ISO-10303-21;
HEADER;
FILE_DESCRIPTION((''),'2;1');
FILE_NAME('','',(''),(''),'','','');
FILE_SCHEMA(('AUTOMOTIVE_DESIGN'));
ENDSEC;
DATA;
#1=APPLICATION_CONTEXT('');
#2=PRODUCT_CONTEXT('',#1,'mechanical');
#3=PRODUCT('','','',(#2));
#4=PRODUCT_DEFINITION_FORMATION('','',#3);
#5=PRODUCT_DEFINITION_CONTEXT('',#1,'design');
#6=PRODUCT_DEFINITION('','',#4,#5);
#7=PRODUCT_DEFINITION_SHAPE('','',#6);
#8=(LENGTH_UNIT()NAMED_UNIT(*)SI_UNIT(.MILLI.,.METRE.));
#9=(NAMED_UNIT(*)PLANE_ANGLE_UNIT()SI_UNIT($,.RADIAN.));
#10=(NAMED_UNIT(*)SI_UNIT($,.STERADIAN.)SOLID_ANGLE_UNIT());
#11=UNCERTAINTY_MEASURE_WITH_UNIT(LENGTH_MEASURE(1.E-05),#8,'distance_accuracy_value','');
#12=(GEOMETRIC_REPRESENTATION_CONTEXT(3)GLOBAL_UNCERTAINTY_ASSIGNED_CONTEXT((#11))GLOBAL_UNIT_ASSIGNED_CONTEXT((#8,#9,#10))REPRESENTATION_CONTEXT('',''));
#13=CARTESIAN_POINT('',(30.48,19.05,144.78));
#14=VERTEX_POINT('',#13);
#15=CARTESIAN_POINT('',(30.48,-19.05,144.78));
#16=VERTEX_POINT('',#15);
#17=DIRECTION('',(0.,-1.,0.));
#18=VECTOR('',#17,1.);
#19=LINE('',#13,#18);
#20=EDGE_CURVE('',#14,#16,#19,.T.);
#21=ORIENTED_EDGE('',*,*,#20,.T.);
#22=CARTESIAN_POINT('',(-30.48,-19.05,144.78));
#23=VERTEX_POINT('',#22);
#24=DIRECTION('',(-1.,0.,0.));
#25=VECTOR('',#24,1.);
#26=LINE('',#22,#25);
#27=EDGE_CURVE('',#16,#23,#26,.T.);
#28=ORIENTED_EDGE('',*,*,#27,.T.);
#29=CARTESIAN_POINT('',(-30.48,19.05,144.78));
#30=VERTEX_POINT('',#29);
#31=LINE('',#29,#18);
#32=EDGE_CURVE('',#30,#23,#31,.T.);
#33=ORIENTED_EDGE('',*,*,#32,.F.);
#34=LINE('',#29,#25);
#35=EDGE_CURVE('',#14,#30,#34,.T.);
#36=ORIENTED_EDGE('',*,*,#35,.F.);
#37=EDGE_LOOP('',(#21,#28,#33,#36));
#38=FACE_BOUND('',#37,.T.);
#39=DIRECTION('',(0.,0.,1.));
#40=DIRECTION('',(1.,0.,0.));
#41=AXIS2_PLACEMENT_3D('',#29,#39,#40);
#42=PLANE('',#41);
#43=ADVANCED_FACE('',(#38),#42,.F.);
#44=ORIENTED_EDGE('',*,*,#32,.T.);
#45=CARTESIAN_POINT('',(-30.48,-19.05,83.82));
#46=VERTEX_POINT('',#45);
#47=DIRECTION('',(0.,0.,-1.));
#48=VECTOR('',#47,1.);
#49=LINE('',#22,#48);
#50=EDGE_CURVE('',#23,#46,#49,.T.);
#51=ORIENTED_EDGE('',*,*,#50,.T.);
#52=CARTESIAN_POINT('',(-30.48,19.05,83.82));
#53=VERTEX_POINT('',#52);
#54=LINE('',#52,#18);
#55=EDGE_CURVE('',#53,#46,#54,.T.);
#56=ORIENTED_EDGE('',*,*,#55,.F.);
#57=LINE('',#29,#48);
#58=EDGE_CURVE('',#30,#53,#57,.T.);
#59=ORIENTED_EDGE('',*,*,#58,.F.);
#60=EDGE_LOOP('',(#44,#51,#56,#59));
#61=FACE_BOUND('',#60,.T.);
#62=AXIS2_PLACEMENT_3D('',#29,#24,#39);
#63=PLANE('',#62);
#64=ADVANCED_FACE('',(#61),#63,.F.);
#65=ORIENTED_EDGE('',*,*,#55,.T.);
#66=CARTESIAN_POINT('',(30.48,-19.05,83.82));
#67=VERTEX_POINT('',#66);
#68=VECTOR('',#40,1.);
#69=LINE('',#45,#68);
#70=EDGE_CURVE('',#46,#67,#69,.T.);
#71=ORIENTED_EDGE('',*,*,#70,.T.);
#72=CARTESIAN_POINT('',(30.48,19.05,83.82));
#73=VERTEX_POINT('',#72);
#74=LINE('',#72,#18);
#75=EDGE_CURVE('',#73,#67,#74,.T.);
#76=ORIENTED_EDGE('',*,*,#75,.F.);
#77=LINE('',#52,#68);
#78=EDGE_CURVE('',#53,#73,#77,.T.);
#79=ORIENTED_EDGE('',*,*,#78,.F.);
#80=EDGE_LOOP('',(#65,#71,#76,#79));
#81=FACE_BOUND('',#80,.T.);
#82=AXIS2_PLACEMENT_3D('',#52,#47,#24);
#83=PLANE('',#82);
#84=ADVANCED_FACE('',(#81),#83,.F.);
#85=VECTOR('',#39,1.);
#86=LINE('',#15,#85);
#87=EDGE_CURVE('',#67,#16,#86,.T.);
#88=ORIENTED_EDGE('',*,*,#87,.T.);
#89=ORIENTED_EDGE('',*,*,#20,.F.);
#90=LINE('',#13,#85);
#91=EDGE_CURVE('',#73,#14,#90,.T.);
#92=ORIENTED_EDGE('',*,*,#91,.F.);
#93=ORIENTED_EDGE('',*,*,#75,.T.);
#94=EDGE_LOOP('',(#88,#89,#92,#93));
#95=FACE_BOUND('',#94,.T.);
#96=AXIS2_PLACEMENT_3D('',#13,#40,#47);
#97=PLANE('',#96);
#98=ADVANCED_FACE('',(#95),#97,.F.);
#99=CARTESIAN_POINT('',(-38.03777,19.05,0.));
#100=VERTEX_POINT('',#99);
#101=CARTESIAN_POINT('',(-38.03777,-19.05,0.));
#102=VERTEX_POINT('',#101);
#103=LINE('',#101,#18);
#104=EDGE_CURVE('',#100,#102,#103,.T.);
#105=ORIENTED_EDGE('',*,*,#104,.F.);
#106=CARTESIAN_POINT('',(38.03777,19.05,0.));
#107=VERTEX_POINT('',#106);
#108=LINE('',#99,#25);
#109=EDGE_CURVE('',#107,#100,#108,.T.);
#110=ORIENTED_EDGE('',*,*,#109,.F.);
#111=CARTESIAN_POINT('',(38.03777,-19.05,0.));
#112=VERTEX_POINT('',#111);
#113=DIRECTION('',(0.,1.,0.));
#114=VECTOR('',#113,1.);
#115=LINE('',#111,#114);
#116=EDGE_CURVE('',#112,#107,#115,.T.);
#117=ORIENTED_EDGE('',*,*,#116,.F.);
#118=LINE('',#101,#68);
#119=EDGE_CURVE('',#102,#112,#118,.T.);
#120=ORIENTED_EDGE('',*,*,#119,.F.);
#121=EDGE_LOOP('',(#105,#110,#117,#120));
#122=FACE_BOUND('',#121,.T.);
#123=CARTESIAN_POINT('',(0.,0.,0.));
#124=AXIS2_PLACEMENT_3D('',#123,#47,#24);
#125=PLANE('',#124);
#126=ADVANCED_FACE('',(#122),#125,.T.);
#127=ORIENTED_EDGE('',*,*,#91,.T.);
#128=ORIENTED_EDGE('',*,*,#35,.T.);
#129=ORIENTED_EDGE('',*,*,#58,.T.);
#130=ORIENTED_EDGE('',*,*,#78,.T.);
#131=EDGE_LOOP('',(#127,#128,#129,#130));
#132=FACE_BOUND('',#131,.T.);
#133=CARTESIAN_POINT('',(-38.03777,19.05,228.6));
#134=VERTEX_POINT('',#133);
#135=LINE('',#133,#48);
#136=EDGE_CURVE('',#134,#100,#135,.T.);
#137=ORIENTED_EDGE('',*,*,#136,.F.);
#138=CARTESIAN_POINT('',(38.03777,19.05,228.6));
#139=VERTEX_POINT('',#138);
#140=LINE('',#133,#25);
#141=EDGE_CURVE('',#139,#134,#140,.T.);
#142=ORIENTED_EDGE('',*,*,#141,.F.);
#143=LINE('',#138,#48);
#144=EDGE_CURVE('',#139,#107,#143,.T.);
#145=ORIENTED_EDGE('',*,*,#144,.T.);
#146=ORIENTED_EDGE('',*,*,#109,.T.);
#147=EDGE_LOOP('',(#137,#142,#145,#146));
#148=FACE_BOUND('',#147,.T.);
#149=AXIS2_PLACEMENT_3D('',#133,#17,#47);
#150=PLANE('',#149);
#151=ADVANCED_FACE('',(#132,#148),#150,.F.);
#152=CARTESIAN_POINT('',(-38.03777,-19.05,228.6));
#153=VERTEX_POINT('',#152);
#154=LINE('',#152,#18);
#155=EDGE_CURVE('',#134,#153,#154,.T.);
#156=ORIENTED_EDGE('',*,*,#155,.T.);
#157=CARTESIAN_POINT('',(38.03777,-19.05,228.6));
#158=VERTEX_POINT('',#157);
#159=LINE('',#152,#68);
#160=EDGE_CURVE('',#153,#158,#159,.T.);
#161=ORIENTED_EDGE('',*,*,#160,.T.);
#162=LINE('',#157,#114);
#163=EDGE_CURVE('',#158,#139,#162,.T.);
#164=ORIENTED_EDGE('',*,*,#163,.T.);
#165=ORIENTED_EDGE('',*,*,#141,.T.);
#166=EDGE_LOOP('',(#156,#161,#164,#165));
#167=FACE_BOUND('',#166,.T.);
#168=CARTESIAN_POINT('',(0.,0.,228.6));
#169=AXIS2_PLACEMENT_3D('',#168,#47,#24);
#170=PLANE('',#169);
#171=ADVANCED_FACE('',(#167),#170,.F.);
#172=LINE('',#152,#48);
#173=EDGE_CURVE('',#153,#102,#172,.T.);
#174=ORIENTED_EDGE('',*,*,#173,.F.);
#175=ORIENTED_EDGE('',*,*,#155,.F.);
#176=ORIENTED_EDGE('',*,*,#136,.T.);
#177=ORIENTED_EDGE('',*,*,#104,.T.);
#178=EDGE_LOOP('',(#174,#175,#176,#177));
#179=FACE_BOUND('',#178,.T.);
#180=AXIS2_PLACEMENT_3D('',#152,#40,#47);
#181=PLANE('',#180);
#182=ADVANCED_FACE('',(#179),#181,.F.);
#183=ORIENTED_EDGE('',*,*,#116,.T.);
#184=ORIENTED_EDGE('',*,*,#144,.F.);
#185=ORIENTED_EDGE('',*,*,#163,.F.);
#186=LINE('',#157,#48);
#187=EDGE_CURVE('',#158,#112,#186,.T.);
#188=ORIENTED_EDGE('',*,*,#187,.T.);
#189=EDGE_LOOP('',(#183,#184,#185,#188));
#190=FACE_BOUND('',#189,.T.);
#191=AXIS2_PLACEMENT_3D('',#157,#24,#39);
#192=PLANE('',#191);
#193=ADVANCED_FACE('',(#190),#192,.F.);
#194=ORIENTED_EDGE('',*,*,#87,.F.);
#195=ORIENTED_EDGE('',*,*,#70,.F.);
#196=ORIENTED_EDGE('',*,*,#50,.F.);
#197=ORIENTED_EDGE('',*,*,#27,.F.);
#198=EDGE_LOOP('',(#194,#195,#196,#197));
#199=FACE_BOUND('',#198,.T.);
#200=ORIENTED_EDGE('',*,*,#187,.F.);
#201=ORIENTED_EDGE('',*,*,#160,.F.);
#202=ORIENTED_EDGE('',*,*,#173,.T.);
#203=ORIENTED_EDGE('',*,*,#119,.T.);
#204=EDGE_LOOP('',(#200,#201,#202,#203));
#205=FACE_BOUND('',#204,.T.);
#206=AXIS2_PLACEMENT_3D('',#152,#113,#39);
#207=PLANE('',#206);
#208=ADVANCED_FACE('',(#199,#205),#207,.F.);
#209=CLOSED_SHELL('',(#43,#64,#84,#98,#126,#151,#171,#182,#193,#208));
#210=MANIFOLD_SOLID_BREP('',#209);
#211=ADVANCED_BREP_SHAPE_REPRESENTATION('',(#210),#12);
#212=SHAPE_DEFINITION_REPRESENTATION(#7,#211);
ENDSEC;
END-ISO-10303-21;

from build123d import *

# Parameters (mm, degrees)
SKETCH1_W           = 76.07554
SKETCH1_H           = 38.1
BOSS_EXTRUDE1_DEPTH = 228.6
SKETCH2_W           = 60.96
SKETCH2_H           = 60.96
CUT_EXTRUDE1_DEPTH  = 235.854086502


with BuildPart() as part:
    # Sketch1 → Boss-Extrude1 (new body)
    with BuildSketch(Plane.XY):
        Rectangle(SKETCH1_W, SKETCH1_H)
    extrude(amount=BOSS_EXTRUDE1_DEPTH)

    # Sketch2 → Cut-Extrude1 (cut, through all)
    with BuildSketch(Plane.XZ.offset(19.05)):
        with Locations((0, 114.3)):
            Rectangle(SKETCH2_W, SKETCH2_H)
    extrude(amount=-CUT_EXTRUDE1_DEPTH, mode=Mode.SUBTRACT)


solid = part.part
